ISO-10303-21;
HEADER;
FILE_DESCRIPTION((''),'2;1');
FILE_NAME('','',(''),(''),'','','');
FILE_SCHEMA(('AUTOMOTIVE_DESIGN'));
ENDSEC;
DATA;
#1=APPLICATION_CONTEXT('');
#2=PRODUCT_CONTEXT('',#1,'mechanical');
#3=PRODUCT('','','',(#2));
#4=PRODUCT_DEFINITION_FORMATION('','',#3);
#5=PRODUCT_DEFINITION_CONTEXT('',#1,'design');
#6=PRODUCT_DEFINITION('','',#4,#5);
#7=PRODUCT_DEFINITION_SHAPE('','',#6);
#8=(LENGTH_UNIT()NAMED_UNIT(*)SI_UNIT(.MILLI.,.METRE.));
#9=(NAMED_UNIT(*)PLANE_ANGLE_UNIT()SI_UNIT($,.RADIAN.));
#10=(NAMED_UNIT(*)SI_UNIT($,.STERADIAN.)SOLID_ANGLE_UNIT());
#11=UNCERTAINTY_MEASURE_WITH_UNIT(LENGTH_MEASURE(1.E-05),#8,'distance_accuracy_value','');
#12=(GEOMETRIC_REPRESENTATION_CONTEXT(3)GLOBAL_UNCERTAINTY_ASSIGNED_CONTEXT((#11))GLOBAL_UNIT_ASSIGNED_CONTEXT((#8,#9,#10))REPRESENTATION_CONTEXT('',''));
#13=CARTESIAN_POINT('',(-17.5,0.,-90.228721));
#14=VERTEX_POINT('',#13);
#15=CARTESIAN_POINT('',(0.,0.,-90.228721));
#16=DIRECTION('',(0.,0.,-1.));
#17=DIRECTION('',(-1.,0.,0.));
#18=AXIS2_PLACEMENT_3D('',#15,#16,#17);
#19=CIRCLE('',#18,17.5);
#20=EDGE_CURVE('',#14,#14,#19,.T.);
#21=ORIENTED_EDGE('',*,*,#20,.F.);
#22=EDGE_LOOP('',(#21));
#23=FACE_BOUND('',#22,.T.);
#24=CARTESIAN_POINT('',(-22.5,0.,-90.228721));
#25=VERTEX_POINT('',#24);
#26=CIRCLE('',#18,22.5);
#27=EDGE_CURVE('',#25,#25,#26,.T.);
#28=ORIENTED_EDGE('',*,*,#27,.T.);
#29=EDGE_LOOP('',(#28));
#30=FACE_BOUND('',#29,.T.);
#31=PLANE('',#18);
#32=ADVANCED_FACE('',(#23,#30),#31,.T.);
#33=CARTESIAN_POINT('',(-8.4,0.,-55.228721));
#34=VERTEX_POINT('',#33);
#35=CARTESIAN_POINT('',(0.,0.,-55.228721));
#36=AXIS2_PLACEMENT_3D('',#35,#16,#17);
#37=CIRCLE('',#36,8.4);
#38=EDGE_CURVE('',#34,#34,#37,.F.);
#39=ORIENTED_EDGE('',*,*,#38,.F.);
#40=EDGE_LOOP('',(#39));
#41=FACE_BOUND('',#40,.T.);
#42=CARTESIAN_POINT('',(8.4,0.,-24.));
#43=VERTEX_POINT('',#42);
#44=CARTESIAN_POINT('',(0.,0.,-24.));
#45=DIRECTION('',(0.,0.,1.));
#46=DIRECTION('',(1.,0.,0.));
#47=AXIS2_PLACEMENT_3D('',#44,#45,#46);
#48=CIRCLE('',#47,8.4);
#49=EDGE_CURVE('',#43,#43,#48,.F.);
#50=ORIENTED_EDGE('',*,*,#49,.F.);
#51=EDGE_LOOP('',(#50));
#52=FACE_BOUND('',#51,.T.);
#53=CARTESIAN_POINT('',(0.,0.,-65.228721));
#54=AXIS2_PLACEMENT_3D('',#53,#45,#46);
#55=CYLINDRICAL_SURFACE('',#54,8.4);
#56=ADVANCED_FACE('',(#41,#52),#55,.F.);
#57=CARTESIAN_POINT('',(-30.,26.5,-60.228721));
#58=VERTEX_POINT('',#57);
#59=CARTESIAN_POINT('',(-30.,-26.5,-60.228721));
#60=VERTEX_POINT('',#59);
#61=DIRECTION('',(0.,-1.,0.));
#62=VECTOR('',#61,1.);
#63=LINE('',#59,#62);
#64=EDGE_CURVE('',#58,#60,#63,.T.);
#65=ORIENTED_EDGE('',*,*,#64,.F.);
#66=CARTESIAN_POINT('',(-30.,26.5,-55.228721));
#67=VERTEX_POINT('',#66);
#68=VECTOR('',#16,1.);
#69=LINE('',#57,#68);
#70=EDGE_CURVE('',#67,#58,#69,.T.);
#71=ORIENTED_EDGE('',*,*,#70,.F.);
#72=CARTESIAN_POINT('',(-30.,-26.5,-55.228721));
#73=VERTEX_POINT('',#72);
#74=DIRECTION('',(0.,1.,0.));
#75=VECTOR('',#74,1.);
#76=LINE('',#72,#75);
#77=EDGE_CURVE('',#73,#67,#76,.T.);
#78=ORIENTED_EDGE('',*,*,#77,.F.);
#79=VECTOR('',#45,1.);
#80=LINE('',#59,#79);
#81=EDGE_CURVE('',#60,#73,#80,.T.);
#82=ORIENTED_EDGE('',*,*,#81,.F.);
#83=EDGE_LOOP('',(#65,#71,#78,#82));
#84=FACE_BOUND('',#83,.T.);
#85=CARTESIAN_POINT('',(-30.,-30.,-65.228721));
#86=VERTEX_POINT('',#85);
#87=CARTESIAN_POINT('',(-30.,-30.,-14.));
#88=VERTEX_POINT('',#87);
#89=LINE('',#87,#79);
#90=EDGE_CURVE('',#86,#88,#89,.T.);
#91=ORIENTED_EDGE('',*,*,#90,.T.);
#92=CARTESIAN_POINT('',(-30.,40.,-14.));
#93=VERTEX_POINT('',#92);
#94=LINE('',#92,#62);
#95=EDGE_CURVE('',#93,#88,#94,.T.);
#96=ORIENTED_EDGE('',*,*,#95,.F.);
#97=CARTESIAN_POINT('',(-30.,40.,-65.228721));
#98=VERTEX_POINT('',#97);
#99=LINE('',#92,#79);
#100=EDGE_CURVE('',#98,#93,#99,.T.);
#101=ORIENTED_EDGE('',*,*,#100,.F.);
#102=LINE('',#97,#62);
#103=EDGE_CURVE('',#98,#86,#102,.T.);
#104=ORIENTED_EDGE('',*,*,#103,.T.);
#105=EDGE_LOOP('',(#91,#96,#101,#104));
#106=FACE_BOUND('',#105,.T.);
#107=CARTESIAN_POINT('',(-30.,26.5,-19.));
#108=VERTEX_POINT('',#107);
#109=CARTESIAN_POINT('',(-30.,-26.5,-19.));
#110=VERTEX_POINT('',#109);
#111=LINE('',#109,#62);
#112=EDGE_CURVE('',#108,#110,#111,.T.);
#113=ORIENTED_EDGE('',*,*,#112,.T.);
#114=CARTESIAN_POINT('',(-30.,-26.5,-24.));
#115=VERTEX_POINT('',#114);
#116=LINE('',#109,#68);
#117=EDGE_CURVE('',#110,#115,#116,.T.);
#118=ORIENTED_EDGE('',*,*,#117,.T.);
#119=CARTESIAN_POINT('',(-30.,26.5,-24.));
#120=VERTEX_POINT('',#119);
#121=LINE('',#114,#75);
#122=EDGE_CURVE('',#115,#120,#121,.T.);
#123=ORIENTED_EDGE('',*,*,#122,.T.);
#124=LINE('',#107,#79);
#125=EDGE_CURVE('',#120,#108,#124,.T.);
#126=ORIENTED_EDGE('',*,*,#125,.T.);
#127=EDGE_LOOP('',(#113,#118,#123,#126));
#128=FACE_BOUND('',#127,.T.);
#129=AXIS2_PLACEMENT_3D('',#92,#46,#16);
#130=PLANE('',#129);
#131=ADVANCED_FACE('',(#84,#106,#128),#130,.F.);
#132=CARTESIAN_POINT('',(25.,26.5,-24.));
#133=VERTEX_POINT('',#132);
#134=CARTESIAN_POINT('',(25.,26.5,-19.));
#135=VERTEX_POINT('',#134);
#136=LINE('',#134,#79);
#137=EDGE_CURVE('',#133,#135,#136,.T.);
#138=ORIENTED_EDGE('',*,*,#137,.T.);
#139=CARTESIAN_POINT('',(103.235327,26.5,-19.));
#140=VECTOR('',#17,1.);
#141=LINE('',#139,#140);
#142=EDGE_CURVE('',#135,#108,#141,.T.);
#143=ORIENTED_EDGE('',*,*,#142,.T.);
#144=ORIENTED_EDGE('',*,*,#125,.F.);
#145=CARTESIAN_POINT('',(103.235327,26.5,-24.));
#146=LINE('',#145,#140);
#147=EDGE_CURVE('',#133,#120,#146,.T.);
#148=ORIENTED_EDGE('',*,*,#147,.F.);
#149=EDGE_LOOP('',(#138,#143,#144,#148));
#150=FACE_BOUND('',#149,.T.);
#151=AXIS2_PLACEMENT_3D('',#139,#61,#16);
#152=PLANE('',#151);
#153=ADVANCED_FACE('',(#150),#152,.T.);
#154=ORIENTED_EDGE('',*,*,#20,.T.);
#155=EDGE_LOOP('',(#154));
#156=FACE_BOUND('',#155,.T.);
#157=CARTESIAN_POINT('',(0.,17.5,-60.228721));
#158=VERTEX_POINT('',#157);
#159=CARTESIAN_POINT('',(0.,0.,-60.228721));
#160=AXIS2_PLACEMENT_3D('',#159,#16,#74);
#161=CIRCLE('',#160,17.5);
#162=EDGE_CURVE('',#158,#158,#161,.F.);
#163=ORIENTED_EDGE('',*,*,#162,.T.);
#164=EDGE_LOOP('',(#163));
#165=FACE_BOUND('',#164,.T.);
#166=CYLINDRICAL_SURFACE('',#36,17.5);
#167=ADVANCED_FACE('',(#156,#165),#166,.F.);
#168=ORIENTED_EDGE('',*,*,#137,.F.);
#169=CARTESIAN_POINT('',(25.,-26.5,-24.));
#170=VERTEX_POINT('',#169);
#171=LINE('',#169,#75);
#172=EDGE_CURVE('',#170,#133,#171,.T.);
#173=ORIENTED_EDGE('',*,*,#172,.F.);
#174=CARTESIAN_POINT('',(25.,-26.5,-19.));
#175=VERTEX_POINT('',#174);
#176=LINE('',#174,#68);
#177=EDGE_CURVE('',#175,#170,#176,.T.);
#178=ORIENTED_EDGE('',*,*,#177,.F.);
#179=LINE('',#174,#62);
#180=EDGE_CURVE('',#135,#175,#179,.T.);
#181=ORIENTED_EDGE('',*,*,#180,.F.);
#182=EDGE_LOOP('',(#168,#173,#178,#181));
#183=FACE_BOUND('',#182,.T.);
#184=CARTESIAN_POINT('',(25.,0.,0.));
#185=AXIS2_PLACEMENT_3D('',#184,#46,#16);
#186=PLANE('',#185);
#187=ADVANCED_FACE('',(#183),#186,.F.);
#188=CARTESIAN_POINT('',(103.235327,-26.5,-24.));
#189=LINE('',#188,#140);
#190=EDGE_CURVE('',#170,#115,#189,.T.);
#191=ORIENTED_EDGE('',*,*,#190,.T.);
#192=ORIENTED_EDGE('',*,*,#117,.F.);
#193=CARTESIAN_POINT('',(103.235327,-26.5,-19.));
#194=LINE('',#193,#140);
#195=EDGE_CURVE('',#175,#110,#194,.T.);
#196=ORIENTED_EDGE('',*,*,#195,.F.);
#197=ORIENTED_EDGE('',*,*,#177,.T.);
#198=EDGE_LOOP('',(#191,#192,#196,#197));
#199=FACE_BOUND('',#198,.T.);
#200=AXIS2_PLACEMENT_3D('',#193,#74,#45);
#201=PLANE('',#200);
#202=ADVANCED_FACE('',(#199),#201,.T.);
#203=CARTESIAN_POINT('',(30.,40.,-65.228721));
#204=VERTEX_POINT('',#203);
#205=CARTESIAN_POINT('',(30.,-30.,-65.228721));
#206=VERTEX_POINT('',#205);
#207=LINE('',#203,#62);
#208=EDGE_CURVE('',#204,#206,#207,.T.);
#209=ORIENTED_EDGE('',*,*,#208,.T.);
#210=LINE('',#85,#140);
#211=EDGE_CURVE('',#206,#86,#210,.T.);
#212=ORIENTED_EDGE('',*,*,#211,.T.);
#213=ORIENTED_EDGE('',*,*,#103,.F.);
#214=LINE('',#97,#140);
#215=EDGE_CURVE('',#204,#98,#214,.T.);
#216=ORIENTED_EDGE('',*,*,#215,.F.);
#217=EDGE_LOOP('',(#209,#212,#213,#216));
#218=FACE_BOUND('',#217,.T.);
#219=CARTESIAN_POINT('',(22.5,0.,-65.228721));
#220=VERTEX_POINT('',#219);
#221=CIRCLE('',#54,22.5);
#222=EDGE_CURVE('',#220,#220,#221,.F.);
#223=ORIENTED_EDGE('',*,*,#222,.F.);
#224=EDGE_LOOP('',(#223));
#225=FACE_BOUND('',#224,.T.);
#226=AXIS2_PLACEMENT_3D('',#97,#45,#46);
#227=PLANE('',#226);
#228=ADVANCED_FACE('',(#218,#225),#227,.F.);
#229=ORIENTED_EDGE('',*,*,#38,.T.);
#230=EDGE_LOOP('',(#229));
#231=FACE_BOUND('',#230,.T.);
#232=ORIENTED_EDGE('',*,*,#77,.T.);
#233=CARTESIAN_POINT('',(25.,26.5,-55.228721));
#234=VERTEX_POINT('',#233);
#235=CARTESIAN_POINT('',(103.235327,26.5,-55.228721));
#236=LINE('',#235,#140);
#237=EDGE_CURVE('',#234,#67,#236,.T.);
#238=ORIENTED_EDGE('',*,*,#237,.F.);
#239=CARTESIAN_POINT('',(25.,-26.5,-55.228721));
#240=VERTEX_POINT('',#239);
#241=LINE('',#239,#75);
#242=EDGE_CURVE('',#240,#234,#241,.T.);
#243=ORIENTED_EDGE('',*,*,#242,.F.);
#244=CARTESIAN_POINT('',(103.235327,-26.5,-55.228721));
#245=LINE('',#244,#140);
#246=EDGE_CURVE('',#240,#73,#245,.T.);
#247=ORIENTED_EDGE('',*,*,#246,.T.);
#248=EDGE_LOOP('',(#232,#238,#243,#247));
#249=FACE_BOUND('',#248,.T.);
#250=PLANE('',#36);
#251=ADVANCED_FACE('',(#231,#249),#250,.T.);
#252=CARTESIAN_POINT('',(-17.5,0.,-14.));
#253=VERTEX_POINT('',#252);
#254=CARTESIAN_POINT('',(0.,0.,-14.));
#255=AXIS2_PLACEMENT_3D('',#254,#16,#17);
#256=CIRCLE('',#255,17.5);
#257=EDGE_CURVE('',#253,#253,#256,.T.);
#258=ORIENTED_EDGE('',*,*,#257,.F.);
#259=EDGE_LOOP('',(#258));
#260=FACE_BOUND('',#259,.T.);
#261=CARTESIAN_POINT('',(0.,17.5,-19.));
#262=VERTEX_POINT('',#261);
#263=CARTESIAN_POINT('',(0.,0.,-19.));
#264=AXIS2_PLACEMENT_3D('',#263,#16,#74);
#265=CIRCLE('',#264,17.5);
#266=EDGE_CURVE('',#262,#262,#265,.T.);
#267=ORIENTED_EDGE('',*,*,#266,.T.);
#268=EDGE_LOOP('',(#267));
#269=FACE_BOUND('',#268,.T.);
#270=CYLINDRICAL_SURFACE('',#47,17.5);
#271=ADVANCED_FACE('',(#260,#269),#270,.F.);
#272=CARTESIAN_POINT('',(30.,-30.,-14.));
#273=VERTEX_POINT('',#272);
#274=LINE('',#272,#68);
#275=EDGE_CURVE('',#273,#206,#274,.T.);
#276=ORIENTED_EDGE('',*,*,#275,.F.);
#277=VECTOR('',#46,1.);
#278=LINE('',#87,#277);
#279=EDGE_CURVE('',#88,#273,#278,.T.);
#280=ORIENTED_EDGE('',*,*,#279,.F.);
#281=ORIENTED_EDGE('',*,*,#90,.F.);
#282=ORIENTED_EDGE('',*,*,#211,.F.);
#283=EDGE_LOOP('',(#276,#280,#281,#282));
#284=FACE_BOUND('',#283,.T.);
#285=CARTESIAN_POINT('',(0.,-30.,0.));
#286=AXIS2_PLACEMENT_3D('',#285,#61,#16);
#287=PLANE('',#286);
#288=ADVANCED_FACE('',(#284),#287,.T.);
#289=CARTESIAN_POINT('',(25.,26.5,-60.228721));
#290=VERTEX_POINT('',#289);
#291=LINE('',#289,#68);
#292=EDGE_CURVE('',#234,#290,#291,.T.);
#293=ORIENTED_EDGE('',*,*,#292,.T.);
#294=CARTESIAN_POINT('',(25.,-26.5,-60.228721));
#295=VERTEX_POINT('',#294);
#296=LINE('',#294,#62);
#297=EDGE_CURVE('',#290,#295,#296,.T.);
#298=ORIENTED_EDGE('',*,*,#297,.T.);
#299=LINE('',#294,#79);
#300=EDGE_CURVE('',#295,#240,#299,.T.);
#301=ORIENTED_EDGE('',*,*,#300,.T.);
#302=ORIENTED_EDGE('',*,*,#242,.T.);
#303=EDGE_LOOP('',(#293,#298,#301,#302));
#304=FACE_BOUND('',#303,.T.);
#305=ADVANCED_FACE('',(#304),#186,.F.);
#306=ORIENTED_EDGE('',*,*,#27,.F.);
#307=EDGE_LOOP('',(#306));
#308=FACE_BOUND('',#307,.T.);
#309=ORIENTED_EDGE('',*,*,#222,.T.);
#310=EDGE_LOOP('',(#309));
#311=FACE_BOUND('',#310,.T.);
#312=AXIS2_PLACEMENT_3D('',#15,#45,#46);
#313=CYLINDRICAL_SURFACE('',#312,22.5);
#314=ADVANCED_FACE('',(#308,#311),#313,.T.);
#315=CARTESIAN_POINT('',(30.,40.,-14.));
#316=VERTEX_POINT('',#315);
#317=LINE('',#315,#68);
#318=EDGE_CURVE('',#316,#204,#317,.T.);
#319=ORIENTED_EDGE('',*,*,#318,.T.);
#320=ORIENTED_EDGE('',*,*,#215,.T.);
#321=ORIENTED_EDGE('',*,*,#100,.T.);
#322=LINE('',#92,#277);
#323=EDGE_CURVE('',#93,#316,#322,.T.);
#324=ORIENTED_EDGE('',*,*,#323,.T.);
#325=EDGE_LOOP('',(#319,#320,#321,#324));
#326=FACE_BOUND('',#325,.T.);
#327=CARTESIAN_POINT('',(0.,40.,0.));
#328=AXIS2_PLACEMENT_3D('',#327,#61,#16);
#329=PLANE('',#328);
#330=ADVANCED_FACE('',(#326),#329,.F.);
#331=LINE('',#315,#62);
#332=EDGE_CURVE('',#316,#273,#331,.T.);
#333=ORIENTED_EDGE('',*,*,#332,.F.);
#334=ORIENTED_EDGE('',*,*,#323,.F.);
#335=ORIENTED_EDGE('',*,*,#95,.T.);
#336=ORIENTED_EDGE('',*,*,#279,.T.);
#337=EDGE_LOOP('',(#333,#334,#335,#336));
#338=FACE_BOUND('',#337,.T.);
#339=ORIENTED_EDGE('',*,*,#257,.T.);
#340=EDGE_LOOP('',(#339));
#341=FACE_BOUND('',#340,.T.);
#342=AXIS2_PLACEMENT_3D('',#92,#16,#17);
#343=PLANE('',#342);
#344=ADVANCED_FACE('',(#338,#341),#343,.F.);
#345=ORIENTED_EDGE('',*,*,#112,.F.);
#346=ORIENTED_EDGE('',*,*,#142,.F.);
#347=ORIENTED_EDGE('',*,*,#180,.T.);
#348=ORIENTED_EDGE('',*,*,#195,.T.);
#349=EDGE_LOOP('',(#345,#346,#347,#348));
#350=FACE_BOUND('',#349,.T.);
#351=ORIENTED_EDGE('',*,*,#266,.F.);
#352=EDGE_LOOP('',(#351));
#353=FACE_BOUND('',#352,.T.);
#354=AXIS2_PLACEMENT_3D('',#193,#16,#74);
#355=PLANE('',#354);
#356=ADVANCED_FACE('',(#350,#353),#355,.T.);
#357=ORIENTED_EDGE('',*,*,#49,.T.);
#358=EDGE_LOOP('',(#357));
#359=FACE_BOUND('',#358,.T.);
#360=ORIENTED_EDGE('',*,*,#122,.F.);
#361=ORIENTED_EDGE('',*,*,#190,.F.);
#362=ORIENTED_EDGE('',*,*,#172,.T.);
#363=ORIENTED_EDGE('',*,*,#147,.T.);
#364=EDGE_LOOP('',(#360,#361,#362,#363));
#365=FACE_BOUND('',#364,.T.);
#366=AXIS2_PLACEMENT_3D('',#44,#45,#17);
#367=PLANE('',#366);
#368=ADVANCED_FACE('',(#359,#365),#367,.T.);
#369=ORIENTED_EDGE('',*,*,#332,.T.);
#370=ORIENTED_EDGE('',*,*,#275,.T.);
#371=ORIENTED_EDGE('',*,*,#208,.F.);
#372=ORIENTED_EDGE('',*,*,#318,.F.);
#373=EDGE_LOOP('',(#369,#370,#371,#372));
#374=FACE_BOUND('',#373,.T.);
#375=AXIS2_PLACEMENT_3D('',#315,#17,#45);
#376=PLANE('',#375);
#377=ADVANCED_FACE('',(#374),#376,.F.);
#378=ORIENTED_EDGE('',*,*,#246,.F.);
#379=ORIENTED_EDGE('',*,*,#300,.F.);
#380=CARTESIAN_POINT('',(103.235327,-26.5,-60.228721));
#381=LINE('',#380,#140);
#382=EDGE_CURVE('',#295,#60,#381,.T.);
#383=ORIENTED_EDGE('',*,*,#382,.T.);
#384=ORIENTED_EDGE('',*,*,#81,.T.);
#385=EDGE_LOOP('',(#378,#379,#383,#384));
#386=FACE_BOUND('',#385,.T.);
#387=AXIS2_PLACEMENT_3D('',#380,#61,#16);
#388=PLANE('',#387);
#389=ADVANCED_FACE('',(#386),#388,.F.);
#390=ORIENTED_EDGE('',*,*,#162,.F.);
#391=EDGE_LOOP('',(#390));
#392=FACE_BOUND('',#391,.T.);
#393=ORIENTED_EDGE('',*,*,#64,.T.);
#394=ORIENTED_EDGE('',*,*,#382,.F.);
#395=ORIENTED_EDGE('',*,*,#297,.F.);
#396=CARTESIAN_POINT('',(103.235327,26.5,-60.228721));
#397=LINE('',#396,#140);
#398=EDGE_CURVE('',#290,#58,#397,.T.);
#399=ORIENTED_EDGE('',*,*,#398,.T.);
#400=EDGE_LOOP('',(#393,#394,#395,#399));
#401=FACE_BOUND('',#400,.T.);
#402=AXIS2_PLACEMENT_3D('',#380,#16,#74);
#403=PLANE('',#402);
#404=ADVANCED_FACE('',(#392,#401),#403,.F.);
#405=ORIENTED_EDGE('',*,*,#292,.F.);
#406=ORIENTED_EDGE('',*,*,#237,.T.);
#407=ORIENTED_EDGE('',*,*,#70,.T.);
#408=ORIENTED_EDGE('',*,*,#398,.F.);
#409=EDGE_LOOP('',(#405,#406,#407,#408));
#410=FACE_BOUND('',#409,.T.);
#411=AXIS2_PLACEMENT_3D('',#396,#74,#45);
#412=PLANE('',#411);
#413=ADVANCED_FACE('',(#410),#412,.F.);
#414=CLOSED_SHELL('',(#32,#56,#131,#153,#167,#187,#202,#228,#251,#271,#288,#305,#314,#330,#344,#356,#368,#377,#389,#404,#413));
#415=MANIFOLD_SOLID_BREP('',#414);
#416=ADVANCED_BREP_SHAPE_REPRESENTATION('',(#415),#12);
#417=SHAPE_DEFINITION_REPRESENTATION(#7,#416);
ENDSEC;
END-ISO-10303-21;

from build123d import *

# Parameters (mm, degrees)
SZKIC2_W                         = 60
SZKIC2_H                         = 51.228721397
DODANIE_WYCI_GNI_CIE1_DEPTH      = 40
DODANIE_WYCI_GNI_CIE1_DEPTH_BACK = 30
SZKIC3_R                         = 8.4
WYTNIJ_WYCI_GNI_CIE1_DEPTH       = 52.228721397
SZKIC5_R                         = 17.5
WYTNIJ_WYCI_GNI_CIE2_DEPTH       = 10
SZKIC6_W                         = 5
SZKIC6_H                         = 53
WYTNIJ_WYCI_GNI_CIE3_DEPTH       = 55
SZKIC8_R                         = 22.5
SZKIC8_R_2                       = 17.5
DODANIE_WYCI_GNI_CIE3_DEPTH      = 25


with BuildPart() as part:
    # Szkic2 → Dodanie-wyciągnięcie1 (new body, two sides)
    with BuildSketch(Plane(origin=(0, 0, 0), x_dir=(1, 0, 0), z_dir=(0, 1, 0))) as dodanie_wyci_gni_cie1_sk:
        with Locations((0, 39.614360699)):
            Rectangle(SZKIC2_W, SZKIC2_H)
    extrude(amount=DODANIE_WYCI_GNI_CIE1_DEPTH)
    extrude(dodanie_wyci_gni_cie1_sk.sketch, amount=-DODANIE_WYCI_GNI_CIE1_DEPTH_BACK)

    # Szkic3 → Wytnij-wyciągnięcie1 (cut, through all)
    with BuildSketch(Plane.XY.offset(-14)):
        Circle(SZKIC3_R)
    extrude(amount=-WYTNIJ_WYCI_GNI_CIE1_DEPTH, mode=Mode.SUBTRACT)

    # Szkic5 → Wytnij-wyciągnięcie2 (cut)
    with BuildSketch(Plane(origin=(0, 0, -65.228721397), x_dir=(-1, 0, 0), z_dir=(0, 0, -1))):
        Circle(SZKIC5_R)
    wytnij_wyci_gni_cie2 = extrude(amount=-WYTNIJ_WYCI_GNI_CIE2_DEPTH, mode=Mode.SUBTRACT)

    # Szkic6 → Wytnij-wyciągnięcie3 (cut)
    with BuildSketch(Plane.ZY.offset(30)):
        with Locations((-57.728721397, 0)):
            Rectangle(SZKIC6_W, SZKIC6_H)
    wytnij_wyci_gni_cie3 = extrude(amount=-WYTNIJ_WYCI_GNI_CIE3_DEPTH, mode=Mode.SUBTRACT)

    # Lustro1: Wytnij-wyciągnięcie2, Wytnij-wyciągnięcie3 across plane
    add(wytnij_wyci_gni_cie2.mirror(Plane(origin=(0, 0, -39.614360698), x_dir=(1, 0, 0), z_dir=(0, 0, -1))), mode=Mode.SUBTRACT)
    add(wytnij_wyci_gni_cie3.mirror(Plane(origin=(0, 0, -39.614360698), x_dir=(1, 0, 0), z_dir=(0, 0, -1))), mode=Mode.SUBTRACT)

    # Szkic8 → Dodanie-wyciągnięcie3 (add)
    with BuildSketch(Plane(origin=(0, 0, -65.228721397), x_dir=(-1, 0, 0), z_dir=(0, 0, -1))):
        Circle(SZKIC8_R)
        Circle(SZKIC8_R_2, mode=Mode.SUBTRACT)
    extrude(amount=DODANIE_WYCI_GNI_CIE3_DEPTH)


solid = part.part
